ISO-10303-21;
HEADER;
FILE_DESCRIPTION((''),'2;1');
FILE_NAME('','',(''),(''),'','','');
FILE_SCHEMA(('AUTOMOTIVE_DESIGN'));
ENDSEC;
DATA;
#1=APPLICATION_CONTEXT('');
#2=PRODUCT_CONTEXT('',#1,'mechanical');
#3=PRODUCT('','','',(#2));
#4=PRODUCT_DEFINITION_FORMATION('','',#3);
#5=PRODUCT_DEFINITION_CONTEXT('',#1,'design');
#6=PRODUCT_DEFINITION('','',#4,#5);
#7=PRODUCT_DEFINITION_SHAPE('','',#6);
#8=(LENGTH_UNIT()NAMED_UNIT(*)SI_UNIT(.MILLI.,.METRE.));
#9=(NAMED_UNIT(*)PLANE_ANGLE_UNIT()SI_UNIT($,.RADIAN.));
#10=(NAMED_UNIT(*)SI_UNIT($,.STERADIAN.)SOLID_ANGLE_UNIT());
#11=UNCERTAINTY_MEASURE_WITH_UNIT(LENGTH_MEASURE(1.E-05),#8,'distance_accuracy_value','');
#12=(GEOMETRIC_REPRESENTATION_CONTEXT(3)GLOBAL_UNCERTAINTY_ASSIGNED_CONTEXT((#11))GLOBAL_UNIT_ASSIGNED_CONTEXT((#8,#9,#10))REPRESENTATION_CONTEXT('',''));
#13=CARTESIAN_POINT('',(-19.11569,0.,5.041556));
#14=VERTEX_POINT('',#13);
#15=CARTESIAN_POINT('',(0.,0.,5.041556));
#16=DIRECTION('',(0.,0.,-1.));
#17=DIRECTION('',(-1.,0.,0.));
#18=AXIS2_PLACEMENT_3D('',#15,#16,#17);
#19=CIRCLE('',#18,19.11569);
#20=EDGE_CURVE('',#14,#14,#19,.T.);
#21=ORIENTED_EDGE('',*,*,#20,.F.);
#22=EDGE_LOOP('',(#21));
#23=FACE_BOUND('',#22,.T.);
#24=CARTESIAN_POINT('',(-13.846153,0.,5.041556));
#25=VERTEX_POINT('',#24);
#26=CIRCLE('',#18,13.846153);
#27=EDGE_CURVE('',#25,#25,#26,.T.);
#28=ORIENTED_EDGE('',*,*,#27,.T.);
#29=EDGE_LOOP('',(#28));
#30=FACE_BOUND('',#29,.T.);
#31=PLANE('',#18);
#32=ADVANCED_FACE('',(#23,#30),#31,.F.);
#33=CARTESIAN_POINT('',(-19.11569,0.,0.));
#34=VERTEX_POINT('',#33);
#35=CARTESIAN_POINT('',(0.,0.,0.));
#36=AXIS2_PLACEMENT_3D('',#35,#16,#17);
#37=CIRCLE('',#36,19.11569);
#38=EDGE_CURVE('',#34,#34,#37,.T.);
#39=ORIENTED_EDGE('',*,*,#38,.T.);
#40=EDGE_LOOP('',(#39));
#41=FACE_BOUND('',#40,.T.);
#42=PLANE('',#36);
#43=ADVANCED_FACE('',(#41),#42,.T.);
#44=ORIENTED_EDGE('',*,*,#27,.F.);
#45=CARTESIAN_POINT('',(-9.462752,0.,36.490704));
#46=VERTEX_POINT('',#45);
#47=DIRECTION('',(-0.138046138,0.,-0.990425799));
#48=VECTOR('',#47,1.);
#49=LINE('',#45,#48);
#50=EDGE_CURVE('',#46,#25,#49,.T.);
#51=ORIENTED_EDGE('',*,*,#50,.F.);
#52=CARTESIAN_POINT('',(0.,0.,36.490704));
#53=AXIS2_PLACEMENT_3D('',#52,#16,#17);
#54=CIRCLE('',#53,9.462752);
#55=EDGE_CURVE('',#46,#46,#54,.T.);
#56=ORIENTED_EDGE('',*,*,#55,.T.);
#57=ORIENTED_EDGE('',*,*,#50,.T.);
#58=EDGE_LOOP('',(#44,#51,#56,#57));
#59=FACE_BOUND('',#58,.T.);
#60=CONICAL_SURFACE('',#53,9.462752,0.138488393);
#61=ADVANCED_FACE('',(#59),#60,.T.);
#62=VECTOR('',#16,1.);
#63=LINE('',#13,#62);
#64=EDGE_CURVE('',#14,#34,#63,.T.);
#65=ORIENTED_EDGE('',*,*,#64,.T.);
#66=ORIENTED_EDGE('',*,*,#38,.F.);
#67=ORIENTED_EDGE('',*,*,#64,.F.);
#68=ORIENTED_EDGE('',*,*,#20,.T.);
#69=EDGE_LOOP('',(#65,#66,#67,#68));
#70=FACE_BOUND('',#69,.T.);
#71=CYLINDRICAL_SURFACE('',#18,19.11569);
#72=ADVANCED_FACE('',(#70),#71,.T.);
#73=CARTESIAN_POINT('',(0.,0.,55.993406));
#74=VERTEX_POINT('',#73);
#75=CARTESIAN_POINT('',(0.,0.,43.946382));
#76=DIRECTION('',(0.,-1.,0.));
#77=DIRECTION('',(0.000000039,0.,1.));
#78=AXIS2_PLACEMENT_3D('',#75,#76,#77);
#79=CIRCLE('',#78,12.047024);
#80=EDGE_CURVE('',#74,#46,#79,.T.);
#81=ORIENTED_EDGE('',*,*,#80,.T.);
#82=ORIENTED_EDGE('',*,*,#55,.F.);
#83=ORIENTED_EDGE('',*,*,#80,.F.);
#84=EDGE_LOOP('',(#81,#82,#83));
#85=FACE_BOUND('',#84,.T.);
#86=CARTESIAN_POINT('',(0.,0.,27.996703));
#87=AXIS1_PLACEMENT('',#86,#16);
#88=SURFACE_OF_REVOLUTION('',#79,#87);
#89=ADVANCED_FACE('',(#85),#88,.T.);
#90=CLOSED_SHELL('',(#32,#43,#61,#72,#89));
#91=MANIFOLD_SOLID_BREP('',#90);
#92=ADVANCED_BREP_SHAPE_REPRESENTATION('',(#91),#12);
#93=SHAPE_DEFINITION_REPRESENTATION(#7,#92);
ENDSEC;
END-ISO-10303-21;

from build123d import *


with BuildPart() as f1:
    # F0 (on Front) → F1 (revolve)
    with BuildSketch(Plane.XZ):
        with BuildLine():
            Line((-13.846153, 5.041556), (0, 5.041556))
            Line((0, 5.041556), (0, 31.899357))
            ThreePointArc((0, 31.899357), (-5.258901, 33.107804), (-9.462752, 36.490704))
            Line((-9.462752, 36.490704), (-13.846153, 5.041556))
        make_face()
        Polygon((-19.11569, 0), (0, 0), (0, 5.041556), (-13.846153, 5.041556), (-19.11569, 5.041556), align=None)
        with BuildLine():
            ThreePointArc((-9.462752, 36.490704), (-5.258901, 33.107804), (0, 31.899357))
            Line((0, 31.899357), (0, 55.993406))
            ThreePointArc((0, 55.993406), (-10.838578, 49.205282), (-9.462752, 36.490704))
        make_face()
    revolve(axis=Axis((0, 0, 27.996703), (0, 0, -1)))


solid = f1.part
